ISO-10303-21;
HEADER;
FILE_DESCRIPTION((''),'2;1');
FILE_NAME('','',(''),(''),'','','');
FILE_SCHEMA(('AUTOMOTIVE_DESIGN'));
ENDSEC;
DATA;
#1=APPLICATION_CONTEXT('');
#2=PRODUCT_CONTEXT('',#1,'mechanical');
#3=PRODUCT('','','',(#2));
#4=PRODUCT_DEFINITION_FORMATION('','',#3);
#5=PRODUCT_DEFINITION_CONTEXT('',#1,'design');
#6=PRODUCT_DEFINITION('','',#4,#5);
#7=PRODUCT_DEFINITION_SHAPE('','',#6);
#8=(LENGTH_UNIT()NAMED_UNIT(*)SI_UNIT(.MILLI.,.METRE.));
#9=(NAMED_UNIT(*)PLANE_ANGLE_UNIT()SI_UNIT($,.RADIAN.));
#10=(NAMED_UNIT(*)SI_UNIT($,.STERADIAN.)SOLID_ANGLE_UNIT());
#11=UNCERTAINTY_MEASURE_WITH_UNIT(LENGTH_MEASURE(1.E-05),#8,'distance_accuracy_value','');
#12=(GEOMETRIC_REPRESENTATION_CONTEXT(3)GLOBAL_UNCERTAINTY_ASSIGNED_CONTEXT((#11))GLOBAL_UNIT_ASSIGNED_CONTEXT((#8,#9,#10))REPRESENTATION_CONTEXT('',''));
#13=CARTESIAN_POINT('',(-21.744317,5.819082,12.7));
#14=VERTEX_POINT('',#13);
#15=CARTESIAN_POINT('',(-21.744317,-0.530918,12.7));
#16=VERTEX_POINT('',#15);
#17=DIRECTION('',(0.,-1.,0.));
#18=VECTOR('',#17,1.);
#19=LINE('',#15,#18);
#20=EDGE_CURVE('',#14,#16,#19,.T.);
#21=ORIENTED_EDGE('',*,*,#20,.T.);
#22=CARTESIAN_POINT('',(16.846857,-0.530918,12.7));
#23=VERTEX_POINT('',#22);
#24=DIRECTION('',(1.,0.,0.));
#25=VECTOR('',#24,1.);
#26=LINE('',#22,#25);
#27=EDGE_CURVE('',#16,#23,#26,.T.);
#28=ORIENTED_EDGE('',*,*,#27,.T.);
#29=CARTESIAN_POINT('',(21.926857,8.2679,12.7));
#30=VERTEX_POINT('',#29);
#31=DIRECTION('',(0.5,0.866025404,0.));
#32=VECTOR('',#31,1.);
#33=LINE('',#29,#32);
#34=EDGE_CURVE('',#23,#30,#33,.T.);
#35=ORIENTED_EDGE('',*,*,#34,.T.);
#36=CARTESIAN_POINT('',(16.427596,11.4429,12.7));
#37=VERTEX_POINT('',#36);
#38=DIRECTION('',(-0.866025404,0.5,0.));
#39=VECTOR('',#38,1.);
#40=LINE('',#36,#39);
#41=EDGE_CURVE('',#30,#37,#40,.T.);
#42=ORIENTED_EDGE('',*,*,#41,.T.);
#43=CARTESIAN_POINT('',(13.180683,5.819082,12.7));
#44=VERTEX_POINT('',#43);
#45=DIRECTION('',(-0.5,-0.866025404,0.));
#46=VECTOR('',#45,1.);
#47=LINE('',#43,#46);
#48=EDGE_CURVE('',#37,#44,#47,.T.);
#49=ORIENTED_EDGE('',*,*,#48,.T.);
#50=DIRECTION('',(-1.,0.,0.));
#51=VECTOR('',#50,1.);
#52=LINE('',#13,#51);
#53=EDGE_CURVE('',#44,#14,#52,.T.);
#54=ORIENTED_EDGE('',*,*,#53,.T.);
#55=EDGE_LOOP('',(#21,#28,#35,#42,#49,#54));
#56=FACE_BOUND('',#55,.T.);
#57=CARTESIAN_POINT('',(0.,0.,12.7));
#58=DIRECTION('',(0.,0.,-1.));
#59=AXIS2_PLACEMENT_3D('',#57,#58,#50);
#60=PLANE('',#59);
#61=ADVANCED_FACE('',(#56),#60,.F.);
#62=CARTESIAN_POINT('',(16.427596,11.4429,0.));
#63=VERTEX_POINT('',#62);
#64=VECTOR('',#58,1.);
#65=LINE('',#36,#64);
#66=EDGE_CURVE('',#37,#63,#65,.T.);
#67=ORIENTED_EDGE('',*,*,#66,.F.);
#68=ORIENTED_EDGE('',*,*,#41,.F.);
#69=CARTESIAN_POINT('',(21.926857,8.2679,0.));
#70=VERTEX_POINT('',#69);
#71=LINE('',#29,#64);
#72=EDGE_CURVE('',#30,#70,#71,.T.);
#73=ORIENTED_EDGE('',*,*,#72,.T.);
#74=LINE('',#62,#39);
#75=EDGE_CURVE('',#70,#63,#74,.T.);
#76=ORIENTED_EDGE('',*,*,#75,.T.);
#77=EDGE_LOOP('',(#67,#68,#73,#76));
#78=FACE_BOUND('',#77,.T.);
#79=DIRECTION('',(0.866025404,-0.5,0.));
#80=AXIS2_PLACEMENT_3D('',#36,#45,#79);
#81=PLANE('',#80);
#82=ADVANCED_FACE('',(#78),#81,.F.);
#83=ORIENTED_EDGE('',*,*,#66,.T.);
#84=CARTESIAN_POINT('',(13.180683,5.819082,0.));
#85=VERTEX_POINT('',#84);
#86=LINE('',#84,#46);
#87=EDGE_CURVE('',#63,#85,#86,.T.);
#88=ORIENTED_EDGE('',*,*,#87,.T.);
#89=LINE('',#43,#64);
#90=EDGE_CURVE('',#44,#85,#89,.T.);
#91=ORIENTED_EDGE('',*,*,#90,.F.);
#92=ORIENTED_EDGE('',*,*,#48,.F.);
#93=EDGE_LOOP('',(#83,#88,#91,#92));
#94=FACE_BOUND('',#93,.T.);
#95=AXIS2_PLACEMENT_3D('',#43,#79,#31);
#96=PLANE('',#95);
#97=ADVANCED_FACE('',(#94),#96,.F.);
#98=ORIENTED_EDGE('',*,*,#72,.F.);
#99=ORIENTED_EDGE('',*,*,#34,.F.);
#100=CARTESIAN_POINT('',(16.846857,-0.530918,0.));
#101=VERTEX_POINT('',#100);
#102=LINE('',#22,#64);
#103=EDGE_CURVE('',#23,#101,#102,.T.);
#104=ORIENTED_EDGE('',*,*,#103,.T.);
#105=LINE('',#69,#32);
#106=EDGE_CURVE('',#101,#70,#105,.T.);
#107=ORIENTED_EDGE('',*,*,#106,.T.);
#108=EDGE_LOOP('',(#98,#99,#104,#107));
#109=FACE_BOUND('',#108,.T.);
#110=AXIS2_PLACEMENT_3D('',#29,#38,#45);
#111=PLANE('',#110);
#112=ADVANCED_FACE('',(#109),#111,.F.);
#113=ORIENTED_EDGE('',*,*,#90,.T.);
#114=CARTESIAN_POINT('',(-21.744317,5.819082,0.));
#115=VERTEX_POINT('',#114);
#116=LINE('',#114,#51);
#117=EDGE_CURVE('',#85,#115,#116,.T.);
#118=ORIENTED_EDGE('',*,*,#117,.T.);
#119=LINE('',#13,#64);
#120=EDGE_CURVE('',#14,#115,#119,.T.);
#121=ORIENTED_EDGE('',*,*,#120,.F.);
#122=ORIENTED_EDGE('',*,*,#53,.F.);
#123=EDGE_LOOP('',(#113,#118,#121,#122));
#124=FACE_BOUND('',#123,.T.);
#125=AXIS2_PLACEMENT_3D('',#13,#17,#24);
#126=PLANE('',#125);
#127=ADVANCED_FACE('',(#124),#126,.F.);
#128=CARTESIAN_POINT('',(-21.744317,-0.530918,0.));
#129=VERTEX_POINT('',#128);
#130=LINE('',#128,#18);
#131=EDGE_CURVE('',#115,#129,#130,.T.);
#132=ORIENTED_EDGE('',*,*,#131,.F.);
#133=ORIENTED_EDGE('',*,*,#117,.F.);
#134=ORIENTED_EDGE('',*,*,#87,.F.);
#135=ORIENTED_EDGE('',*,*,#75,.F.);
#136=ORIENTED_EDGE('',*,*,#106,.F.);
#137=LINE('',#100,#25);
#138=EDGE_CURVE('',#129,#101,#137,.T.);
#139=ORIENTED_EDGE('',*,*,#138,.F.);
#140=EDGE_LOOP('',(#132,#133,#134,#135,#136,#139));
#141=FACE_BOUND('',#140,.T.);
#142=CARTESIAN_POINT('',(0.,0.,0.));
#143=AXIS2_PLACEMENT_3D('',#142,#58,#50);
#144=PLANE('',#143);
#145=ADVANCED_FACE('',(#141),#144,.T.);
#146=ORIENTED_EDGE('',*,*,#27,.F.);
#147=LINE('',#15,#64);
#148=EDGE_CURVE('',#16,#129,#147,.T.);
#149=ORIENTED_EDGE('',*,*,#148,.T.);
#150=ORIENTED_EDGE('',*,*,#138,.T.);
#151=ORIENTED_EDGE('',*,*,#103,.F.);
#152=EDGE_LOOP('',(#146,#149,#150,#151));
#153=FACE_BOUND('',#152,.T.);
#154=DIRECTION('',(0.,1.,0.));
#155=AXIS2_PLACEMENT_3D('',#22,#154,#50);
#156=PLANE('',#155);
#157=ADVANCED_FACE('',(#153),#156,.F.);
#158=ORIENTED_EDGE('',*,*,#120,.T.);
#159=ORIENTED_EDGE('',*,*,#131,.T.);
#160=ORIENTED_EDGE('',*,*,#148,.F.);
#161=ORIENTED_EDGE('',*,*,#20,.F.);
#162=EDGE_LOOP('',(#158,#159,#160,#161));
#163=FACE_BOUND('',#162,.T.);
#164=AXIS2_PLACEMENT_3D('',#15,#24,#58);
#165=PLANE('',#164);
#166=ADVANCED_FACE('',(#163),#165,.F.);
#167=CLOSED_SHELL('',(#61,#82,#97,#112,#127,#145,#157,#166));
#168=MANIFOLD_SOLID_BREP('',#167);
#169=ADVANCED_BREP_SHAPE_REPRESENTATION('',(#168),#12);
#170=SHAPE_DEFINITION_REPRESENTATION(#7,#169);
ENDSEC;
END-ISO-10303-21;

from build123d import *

# Parameters (mm, degrees)
BOSS_EXTRUDE1_DEPTH = 12.7


with BuildPart() as part:
    # Sketch1 → Boss-Extrude1 (new body)
    with BuildSketch(Plane.XY):
        Polygon((-21.744317078, 5.819081981), (13.180682922, 5.819081981), (16.427595817, 11.442900083), (21.926857132, 8.267900083), (16.846857132, -0.530918019), (-21.744317078, -0.530918019), align=None)
    extrude(amount=BOSS_EXTRUDE1_DEPTH)


solid = part.part
